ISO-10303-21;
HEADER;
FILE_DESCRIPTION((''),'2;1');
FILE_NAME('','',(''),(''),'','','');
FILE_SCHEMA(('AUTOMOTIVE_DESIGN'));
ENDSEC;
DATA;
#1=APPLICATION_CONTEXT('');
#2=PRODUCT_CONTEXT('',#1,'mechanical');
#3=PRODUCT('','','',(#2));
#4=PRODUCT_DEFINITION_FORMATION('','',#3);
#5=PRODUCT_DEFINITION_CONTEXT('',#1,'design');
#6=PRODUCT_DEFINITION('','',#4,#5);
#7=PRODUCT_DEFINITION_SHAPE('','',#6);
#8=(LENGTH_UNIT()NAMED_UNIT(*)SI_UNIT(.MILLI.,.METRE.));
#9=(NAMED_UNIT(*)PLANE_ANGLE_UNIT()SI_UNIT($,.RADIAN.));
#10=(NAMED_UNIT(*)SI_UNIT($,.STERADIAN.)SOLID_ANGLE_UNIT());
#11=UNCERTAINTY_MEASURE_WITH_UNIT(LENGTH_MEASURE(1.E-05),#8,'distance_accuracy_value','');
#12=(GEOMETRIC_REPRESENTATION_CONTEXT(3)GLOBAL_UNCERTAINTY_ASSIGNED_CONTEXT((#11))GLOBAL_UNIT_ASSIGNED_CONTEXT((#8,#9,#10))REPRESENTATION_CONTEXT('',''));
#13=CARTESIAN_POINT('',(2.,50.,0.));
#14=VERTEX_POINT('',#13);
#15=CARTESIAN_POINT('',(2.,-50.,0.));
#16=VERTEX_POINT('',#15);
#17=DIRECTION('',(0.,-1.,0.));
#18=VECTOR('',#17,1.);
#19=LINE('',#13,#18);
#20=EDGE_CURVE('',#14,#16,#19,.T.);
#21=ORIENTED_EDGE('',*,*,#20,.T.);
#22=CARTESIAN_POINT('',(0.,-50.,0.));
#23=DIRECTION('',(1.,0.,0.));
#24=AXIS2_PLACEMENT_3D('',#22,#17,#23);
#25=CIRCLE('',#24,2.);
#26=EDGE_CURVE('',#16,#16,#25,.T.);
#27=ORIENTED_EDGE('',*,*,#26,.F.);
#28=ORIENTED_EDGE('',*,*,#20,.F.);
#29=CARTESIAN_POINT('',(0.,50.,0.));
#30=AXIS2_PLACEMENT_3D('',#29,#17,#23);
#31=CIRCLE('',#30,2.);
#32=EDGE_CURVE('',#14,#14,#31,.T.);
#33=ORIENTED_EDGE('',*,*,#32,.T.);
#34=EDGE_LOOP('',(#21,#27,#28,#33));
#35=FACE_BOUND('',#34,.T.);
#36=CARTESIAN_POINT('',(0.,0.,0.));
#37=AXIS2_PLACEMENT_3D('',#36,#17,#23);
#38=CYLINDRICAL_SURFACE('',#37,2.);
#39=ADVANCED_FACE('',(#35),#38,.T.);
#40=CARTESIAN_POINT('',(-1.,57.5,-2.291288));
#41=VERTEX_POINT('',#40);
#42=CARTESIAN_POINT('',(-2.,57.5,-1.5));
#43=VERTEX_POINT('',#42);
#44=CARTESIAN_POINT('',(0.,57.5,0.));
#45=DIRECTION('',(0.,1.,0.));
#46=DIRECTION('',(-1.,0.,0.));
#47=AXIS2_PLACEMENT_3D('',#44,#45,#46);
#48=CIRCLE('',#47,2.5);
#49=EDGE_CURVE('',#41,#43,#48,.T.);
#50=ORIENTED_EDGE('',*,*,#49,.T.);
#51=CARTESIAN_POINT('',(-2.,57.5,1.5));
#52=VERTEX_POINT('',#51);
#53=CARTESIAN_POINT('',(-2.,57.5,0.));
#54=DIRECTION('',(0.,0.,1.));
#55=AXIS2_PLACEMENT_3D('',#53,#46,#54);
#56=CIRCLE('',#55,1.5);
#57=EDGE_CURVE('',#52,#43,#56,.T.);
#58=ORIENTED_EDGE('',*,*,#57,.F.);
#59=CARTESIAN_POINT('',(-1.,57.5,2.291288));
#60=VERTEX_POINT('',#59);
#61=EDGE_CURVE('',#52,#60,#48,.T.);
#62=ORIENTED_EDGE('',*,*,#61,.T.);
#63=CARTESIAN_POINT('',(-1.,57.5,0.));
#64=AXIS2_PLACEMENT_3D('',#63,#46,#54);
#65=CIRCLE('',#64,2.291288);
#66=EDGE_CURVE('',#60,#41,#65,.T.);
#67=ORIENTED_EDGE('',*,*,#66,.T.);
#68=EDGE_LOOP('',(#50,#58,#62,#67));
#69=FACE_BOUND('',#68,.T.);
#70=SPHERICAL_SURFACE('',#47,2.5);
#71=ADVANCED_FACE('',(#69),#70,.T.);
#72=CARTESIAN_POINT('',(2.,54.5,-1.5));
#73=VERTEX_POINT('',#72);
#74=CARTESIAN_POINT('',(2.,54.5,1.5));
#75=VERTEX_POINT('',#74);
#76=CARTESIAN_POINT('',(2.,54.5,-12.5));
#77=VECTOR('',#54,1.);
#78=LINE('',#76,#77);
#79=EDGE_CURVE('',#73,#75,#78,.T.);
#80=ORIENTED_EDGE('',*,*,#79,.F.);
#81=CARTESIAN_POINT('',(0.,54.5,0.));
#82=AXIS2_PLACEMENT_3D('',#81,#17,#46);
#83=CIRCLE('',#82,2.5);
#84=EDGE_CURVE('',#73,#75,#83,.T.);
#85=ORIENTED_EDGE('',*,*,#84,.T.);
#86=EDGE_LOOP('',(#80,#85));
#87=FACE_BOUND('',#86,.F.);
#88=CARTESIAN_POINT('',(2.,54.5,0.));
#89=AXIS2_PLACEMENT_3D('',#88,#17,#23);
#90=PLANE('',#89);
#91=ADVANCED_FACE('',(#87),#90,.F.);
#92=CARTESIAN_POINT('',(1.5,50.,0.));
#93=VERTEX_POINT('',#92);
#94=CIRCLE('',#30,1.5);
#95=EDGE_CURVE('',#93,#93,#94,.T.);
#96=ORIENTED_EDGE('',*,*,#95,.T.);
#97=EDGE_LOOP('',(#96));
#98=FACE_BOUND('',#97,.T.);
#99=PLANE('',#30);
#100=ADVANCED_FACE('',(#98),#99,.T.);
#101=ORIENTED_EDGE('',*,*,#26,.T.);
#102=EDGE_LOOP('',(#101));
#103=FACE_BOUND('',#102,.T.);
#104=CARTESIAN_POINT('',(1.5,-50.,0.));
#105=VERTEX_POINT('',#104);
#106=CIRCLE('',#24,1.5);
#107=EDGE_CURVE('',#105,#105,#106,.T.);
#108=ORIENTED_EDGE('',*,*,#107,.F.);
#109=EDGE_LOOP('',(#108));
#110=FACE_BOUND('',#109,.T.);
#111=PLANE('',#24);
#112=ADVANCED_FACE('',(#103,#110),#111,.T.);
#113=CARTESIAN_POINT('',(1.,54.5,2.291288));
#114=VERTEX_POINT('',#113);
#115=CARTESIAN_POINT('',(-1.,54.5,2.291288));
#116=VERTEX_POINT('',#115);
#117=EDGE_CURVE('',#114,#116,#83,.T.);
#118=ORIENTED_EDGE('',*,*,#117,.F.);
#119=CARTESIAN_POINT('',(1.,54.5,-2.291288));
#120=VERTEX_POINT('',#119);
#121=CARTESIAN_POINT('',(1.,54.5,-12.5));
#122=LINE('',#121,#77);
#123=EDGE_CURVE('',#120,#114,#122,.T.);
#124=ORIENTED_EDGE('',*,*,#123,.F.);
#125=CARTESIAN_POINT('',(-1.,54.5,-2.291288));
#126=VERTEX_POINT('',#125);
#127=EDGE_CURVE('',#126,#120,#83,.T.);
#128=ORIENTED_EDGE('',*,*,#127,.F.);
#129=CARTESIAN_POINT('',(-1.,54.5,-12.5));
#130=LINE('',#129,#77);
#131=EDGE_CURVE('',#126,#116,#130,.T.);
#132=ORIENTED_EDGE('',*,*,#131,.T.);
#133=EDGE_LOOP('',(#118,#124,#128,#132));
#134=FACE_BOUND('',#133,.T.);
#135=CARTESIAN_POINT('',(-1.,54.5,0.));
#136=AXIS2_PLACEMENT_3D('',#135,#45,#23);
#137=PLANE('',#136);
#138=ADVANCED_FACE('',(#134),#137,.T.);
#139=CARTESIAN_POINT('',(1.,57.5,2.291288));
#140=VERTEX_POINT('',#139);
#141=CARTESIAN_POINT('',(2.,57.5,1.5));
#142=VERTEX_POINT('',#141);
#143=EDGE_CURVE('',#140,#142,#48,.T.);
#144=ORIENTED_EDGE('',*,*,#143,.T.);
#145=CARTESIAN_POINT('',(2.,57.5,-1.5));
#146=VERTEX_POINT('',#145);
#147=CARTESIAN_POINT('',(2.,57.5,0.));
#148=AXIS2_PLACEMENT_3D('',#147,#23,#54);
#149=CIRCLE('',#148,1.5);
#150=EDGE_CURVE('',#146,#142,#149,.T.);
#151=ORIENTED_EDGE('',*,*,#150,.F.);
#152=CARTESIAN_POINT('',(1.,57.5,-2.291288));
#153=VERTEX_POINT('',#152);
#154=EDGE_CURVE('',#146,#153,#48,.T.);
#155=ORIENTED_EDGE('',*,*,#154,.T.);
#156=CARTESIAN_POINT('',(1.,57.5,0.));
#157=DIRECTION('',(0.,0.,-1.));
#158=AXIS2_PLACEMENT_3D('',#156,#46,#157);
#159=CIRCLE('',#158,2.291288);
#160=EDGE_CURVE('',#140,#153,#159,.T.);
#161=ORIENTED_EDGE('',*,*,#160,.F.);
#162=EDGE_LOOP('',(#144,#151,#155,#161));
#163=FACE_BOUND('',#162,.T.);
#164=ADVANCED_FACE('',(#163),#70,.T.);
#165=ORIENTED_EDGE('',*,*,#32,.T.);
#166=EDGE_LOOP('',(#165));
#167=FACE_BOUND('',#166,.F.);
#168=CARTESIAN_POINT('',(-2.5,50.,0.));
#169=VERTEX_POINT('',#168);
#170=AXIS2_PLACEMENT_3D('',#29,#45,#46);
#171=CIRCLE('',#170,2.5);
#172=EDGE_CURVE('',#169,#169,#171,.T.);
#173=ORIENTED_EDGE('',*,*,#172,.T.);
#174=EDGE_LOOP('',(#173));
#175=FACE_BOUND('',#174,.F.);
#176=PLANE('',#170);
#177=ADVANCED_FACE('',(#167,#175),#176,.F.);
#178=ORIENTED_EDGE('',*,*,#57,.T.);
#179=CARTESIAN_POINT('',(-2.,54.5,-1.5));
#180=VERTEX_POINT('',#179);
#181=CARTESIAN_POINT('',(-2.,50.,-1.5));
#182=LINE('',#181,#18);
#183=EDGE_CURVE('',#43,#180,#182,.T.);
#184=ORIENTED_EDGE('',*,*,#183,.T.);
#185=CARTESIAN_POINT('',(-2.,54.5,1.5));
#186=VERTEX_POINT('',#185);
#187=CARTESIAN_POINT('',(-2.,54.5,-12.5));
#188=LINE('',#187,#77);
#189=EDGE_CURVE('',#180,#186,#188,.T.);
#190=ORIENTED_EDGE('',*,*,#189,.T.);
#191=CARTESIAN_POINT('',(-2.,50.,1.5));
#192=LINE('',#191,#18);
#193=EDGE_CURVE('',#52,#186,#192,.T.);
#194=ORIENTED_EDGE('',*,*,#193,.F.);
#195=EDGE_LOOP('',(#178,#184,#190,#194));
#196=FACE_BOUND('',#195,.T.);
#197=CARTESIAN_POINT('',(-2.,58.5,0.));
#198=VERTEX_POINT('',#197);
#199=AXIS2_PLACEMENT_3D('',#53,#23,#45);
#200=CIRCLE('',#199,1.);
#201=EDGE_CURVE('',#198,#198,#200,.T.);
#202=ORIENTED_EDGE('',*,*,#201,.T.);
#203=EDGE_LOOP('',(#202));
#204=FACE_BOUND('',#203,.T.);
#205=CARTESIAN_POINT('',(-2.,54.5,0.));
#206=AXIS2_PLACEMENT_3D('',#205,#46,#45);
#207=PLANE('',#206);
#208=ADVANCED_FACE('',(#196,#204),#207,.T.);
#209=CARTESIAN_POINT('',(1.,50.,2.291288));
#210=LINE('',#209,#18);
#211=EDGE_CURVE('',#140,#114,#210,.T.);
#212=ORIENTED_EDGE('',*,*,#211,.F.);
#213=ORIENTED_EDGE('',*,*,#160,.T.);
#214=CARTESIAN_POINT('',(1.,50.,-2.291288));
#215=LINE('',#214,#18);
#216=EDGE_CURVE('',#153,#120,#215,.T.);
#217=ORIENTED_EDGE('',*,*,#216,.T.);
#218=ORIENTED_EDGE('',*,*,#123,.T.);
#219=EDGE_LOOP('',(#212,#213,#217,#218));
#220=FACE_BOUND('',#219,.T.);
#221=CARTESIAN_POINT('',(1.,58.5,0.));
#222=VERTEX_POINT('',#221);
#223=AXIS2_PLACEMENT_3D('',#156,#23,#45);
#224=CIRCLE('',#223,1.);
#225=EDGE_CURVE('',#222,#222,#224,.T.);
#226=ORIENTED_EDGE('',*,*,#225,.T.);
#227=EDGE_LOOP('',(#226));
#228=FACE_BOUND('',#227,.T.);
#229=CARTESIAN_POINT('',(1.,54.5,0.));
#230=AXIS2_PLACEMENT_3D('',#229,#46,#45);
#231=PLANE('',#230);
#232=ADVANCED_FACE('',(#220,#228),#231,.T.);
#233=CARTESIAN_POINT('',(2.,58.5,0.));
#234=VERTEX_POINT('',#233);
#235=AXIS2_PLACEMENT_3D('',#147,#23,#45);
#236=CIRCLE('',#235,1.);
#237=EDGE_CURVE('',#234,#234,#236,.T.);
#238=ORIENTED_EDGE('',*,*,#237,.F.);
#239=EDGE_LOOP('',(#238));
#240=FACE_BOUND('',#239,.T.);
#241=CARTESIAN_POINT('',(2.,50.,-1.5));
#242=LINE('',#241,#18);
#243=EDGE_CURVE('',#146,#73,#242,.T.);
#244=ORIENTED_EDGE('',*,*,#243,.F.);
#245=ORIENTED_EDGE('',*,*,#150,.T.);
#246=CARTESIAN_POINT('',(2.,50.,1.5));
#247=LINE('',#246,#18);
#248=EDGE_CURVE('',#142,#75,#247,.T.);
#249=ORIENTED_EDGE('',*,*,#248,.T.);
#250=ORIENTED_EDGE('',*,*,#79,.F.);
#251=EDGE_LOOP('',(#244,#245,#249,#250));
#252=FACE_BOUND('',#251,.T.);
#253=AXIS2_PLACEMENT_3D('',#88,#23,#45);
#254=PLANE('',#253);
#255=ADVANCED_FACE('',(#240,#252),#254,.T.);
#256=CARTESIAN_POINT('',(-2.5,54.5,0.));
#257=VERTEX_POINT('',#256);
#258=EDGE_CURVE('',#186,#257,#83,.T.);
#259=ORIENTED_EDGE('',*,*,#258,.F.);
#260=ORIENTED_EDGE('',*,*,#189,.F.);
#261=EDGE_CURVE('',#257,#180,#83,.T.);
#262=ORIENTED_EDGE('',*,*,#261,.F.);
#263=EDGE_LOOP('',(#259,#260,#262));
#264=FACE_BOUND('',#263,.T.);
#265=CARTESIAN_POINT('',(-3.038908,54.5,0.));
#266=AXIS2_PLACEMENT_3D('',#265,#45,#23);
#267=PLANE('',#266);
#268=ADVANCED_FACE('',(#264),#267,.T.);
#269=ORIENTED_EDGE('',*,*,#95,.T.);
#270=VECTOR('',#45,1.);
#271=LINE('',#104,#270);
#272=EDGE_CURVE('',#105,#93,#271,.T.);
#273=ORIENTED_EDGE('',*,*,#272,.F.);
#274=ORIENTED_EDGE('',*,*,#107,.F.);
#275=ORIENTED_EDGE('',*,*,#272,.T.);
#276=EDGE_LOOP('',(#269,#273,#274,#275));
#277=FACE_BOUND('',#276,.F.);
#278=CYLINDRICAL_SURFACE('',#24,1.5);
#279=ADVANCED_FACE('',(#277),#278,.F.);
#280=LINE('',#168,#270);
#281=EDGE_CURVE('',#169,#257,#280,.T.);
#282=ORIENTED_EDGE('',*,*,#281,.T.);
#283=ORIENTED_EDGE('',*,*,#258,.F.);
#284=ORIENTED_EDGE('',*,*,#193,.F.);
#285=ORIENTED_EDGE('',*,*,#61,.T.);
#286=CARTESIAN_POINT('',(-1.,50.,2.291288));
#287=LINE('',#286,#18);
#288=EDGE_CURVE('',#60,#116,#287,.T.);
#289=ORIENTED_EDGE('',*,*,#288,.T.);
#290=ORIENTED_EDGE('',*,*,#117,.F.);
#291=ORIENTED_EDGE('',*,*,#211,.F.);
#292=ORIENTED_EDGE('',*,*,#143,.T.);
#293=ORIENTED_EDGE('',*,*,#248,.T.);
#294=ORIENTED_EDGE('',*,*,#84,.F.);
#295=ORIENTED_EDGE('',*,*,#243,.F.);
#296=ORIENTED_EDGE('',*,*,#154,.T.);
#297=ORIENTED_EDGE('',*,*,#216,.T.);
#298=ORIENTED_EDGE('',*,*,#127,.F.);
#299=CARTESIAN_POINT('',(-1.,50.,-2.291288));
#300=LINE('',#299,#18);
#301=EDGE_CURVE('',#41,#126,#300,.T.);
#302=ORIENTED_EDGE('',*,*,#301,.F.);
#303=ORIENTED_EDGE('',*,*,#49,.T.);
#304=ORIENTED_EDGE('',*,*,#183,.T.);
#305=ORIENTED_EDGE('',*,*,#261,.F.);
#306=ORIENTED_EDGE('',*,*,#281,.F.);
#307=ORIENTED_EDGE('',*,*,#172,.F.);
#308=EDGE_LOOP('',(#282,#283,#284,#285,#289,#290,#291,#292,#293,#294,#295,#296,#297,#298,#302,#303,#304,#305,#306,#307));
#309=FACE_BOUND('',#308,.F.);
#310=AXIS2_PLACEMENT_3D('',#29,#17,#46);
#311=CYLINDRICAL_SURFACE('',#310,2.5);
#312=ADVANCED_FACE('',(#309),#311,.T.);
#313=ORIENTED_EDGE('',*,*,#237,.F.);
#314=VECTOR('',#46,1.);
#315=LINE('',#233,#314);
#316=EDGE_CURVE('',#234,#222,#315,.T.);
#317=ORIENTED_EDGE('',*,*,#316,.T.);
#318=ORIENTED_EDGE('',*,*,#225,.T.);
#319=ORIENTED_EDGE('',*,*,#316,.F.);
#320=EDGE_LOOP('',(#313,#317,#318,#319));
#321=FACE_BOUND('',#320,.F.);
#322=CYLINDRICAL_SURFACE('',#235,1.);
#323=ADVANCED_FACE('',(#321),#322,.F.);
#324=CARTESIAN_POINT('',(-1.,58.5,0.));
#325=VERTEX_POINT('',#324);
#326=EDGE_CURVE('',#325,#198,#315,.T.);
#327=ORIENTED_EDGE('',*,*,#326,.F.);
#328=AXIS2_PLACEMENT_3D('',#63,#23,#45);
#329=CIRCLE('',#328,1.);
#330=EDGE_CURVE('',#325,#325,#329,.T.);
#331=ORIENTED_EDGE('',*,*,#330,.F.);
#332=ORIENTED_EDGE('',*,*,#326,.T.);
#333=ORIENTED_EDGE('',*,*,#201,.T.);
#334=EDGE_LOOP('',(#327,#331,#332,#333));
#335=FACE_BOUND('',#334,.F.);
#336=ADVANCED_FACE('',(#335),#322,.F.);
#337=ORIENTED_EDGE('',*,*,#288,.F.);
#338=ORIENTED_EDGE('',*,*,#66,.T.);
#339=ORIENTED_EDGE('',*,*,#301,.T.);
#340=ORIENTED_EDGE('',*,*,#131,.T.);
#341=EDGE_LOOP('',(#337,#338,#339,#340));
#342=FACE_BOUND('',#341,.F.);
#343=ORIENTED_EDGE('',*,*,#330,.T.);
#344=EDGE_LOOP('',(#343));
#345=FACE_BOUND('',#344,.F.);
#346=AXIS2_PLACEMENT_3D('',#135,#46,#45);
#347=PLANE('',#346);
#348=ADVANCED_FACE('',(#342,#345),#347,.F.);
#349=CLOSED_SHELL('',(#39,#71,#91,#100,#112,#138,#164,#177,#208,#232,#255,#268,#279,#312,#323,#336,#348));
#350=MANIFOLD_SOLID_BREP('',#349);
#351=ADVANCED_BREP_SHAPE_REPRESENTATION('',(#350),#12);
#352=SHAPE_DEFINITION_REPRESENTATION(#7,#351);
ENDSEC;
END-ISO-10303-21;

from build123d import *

# Parameters (mm, degrees)
F0_R      = 2
F1_DEPTH  = 50
F2_R      = 2.5
F3_DEPTH  = 10
F4_R      = 2.5
F5_W      = 2
F5_H      = 6
F5_W_2    = 1.038908
F5_H_2    = 6.017993
F5_W_3    = 1.0453
F5_H_3    = 6.056136
F6_DEPTH  = 12.5
F7_R      = 1
F8_DEPTH  = 4.7
F9_R      = 1.5
F10_DEPTH = 100


with BuildPart() as f1:
    # F0 (on Front) → F1 (new body, symmetric)
    with BuildSketch(Plane.XZ):
        Circle(F0_R)
    extrude(amount=F1_DEPTH, both=True)

    # F2 (on face) → F3 (join)
    with BuildSketch(Plane(origin=(0, 50, 0), x_dir=(-1, 0, 0), z_dir=(0, 1, 0))):
        Circle(F2_R)
    extrude(amount=F3_DEPTH)

    # F4
    f4_edges = [f1.edges().sort_by_distance(p)[0] for p in [
        (2.5, 60, 0),
    ]]
    fillet(f4_edges, radius=F4_R)

    # F5 (on Top) → F6 (cut, symmetric)
    with BuildSketch(Plane.XY):
        with Locations((0, 57.5)):
            Rectangle(F5_W, F5_H)
        with Locations((-2.519454, 57.508996)):
            Rectangle(F5_W_2, F5_H_2)
        with Locations((2.52265, 57.528068)):
            Rectangle(F5_W_3, F5_H_3)
    extrude(amount=F6_DEPTH, both=True, mode=Mode.SUBTRACT)

    # F7 (on face) → F8 (cut)
    with BuildSketch(Plane.YZ.offset(2)):
        with Locations((57.5, 0)):
            Circle(F7_R)
    extrude(amount=-F8_DEPTH, mode=Mode.SUBTRACT)

    # F9 (on face) → F10 (cut)
    with BuildSketch(Plane.XZ.offset(50)):
        Circle(F9_R)
    extrude(amount=-F10_DEPTH, mode=Mode.SUBTRACT)


solid = f1.part
